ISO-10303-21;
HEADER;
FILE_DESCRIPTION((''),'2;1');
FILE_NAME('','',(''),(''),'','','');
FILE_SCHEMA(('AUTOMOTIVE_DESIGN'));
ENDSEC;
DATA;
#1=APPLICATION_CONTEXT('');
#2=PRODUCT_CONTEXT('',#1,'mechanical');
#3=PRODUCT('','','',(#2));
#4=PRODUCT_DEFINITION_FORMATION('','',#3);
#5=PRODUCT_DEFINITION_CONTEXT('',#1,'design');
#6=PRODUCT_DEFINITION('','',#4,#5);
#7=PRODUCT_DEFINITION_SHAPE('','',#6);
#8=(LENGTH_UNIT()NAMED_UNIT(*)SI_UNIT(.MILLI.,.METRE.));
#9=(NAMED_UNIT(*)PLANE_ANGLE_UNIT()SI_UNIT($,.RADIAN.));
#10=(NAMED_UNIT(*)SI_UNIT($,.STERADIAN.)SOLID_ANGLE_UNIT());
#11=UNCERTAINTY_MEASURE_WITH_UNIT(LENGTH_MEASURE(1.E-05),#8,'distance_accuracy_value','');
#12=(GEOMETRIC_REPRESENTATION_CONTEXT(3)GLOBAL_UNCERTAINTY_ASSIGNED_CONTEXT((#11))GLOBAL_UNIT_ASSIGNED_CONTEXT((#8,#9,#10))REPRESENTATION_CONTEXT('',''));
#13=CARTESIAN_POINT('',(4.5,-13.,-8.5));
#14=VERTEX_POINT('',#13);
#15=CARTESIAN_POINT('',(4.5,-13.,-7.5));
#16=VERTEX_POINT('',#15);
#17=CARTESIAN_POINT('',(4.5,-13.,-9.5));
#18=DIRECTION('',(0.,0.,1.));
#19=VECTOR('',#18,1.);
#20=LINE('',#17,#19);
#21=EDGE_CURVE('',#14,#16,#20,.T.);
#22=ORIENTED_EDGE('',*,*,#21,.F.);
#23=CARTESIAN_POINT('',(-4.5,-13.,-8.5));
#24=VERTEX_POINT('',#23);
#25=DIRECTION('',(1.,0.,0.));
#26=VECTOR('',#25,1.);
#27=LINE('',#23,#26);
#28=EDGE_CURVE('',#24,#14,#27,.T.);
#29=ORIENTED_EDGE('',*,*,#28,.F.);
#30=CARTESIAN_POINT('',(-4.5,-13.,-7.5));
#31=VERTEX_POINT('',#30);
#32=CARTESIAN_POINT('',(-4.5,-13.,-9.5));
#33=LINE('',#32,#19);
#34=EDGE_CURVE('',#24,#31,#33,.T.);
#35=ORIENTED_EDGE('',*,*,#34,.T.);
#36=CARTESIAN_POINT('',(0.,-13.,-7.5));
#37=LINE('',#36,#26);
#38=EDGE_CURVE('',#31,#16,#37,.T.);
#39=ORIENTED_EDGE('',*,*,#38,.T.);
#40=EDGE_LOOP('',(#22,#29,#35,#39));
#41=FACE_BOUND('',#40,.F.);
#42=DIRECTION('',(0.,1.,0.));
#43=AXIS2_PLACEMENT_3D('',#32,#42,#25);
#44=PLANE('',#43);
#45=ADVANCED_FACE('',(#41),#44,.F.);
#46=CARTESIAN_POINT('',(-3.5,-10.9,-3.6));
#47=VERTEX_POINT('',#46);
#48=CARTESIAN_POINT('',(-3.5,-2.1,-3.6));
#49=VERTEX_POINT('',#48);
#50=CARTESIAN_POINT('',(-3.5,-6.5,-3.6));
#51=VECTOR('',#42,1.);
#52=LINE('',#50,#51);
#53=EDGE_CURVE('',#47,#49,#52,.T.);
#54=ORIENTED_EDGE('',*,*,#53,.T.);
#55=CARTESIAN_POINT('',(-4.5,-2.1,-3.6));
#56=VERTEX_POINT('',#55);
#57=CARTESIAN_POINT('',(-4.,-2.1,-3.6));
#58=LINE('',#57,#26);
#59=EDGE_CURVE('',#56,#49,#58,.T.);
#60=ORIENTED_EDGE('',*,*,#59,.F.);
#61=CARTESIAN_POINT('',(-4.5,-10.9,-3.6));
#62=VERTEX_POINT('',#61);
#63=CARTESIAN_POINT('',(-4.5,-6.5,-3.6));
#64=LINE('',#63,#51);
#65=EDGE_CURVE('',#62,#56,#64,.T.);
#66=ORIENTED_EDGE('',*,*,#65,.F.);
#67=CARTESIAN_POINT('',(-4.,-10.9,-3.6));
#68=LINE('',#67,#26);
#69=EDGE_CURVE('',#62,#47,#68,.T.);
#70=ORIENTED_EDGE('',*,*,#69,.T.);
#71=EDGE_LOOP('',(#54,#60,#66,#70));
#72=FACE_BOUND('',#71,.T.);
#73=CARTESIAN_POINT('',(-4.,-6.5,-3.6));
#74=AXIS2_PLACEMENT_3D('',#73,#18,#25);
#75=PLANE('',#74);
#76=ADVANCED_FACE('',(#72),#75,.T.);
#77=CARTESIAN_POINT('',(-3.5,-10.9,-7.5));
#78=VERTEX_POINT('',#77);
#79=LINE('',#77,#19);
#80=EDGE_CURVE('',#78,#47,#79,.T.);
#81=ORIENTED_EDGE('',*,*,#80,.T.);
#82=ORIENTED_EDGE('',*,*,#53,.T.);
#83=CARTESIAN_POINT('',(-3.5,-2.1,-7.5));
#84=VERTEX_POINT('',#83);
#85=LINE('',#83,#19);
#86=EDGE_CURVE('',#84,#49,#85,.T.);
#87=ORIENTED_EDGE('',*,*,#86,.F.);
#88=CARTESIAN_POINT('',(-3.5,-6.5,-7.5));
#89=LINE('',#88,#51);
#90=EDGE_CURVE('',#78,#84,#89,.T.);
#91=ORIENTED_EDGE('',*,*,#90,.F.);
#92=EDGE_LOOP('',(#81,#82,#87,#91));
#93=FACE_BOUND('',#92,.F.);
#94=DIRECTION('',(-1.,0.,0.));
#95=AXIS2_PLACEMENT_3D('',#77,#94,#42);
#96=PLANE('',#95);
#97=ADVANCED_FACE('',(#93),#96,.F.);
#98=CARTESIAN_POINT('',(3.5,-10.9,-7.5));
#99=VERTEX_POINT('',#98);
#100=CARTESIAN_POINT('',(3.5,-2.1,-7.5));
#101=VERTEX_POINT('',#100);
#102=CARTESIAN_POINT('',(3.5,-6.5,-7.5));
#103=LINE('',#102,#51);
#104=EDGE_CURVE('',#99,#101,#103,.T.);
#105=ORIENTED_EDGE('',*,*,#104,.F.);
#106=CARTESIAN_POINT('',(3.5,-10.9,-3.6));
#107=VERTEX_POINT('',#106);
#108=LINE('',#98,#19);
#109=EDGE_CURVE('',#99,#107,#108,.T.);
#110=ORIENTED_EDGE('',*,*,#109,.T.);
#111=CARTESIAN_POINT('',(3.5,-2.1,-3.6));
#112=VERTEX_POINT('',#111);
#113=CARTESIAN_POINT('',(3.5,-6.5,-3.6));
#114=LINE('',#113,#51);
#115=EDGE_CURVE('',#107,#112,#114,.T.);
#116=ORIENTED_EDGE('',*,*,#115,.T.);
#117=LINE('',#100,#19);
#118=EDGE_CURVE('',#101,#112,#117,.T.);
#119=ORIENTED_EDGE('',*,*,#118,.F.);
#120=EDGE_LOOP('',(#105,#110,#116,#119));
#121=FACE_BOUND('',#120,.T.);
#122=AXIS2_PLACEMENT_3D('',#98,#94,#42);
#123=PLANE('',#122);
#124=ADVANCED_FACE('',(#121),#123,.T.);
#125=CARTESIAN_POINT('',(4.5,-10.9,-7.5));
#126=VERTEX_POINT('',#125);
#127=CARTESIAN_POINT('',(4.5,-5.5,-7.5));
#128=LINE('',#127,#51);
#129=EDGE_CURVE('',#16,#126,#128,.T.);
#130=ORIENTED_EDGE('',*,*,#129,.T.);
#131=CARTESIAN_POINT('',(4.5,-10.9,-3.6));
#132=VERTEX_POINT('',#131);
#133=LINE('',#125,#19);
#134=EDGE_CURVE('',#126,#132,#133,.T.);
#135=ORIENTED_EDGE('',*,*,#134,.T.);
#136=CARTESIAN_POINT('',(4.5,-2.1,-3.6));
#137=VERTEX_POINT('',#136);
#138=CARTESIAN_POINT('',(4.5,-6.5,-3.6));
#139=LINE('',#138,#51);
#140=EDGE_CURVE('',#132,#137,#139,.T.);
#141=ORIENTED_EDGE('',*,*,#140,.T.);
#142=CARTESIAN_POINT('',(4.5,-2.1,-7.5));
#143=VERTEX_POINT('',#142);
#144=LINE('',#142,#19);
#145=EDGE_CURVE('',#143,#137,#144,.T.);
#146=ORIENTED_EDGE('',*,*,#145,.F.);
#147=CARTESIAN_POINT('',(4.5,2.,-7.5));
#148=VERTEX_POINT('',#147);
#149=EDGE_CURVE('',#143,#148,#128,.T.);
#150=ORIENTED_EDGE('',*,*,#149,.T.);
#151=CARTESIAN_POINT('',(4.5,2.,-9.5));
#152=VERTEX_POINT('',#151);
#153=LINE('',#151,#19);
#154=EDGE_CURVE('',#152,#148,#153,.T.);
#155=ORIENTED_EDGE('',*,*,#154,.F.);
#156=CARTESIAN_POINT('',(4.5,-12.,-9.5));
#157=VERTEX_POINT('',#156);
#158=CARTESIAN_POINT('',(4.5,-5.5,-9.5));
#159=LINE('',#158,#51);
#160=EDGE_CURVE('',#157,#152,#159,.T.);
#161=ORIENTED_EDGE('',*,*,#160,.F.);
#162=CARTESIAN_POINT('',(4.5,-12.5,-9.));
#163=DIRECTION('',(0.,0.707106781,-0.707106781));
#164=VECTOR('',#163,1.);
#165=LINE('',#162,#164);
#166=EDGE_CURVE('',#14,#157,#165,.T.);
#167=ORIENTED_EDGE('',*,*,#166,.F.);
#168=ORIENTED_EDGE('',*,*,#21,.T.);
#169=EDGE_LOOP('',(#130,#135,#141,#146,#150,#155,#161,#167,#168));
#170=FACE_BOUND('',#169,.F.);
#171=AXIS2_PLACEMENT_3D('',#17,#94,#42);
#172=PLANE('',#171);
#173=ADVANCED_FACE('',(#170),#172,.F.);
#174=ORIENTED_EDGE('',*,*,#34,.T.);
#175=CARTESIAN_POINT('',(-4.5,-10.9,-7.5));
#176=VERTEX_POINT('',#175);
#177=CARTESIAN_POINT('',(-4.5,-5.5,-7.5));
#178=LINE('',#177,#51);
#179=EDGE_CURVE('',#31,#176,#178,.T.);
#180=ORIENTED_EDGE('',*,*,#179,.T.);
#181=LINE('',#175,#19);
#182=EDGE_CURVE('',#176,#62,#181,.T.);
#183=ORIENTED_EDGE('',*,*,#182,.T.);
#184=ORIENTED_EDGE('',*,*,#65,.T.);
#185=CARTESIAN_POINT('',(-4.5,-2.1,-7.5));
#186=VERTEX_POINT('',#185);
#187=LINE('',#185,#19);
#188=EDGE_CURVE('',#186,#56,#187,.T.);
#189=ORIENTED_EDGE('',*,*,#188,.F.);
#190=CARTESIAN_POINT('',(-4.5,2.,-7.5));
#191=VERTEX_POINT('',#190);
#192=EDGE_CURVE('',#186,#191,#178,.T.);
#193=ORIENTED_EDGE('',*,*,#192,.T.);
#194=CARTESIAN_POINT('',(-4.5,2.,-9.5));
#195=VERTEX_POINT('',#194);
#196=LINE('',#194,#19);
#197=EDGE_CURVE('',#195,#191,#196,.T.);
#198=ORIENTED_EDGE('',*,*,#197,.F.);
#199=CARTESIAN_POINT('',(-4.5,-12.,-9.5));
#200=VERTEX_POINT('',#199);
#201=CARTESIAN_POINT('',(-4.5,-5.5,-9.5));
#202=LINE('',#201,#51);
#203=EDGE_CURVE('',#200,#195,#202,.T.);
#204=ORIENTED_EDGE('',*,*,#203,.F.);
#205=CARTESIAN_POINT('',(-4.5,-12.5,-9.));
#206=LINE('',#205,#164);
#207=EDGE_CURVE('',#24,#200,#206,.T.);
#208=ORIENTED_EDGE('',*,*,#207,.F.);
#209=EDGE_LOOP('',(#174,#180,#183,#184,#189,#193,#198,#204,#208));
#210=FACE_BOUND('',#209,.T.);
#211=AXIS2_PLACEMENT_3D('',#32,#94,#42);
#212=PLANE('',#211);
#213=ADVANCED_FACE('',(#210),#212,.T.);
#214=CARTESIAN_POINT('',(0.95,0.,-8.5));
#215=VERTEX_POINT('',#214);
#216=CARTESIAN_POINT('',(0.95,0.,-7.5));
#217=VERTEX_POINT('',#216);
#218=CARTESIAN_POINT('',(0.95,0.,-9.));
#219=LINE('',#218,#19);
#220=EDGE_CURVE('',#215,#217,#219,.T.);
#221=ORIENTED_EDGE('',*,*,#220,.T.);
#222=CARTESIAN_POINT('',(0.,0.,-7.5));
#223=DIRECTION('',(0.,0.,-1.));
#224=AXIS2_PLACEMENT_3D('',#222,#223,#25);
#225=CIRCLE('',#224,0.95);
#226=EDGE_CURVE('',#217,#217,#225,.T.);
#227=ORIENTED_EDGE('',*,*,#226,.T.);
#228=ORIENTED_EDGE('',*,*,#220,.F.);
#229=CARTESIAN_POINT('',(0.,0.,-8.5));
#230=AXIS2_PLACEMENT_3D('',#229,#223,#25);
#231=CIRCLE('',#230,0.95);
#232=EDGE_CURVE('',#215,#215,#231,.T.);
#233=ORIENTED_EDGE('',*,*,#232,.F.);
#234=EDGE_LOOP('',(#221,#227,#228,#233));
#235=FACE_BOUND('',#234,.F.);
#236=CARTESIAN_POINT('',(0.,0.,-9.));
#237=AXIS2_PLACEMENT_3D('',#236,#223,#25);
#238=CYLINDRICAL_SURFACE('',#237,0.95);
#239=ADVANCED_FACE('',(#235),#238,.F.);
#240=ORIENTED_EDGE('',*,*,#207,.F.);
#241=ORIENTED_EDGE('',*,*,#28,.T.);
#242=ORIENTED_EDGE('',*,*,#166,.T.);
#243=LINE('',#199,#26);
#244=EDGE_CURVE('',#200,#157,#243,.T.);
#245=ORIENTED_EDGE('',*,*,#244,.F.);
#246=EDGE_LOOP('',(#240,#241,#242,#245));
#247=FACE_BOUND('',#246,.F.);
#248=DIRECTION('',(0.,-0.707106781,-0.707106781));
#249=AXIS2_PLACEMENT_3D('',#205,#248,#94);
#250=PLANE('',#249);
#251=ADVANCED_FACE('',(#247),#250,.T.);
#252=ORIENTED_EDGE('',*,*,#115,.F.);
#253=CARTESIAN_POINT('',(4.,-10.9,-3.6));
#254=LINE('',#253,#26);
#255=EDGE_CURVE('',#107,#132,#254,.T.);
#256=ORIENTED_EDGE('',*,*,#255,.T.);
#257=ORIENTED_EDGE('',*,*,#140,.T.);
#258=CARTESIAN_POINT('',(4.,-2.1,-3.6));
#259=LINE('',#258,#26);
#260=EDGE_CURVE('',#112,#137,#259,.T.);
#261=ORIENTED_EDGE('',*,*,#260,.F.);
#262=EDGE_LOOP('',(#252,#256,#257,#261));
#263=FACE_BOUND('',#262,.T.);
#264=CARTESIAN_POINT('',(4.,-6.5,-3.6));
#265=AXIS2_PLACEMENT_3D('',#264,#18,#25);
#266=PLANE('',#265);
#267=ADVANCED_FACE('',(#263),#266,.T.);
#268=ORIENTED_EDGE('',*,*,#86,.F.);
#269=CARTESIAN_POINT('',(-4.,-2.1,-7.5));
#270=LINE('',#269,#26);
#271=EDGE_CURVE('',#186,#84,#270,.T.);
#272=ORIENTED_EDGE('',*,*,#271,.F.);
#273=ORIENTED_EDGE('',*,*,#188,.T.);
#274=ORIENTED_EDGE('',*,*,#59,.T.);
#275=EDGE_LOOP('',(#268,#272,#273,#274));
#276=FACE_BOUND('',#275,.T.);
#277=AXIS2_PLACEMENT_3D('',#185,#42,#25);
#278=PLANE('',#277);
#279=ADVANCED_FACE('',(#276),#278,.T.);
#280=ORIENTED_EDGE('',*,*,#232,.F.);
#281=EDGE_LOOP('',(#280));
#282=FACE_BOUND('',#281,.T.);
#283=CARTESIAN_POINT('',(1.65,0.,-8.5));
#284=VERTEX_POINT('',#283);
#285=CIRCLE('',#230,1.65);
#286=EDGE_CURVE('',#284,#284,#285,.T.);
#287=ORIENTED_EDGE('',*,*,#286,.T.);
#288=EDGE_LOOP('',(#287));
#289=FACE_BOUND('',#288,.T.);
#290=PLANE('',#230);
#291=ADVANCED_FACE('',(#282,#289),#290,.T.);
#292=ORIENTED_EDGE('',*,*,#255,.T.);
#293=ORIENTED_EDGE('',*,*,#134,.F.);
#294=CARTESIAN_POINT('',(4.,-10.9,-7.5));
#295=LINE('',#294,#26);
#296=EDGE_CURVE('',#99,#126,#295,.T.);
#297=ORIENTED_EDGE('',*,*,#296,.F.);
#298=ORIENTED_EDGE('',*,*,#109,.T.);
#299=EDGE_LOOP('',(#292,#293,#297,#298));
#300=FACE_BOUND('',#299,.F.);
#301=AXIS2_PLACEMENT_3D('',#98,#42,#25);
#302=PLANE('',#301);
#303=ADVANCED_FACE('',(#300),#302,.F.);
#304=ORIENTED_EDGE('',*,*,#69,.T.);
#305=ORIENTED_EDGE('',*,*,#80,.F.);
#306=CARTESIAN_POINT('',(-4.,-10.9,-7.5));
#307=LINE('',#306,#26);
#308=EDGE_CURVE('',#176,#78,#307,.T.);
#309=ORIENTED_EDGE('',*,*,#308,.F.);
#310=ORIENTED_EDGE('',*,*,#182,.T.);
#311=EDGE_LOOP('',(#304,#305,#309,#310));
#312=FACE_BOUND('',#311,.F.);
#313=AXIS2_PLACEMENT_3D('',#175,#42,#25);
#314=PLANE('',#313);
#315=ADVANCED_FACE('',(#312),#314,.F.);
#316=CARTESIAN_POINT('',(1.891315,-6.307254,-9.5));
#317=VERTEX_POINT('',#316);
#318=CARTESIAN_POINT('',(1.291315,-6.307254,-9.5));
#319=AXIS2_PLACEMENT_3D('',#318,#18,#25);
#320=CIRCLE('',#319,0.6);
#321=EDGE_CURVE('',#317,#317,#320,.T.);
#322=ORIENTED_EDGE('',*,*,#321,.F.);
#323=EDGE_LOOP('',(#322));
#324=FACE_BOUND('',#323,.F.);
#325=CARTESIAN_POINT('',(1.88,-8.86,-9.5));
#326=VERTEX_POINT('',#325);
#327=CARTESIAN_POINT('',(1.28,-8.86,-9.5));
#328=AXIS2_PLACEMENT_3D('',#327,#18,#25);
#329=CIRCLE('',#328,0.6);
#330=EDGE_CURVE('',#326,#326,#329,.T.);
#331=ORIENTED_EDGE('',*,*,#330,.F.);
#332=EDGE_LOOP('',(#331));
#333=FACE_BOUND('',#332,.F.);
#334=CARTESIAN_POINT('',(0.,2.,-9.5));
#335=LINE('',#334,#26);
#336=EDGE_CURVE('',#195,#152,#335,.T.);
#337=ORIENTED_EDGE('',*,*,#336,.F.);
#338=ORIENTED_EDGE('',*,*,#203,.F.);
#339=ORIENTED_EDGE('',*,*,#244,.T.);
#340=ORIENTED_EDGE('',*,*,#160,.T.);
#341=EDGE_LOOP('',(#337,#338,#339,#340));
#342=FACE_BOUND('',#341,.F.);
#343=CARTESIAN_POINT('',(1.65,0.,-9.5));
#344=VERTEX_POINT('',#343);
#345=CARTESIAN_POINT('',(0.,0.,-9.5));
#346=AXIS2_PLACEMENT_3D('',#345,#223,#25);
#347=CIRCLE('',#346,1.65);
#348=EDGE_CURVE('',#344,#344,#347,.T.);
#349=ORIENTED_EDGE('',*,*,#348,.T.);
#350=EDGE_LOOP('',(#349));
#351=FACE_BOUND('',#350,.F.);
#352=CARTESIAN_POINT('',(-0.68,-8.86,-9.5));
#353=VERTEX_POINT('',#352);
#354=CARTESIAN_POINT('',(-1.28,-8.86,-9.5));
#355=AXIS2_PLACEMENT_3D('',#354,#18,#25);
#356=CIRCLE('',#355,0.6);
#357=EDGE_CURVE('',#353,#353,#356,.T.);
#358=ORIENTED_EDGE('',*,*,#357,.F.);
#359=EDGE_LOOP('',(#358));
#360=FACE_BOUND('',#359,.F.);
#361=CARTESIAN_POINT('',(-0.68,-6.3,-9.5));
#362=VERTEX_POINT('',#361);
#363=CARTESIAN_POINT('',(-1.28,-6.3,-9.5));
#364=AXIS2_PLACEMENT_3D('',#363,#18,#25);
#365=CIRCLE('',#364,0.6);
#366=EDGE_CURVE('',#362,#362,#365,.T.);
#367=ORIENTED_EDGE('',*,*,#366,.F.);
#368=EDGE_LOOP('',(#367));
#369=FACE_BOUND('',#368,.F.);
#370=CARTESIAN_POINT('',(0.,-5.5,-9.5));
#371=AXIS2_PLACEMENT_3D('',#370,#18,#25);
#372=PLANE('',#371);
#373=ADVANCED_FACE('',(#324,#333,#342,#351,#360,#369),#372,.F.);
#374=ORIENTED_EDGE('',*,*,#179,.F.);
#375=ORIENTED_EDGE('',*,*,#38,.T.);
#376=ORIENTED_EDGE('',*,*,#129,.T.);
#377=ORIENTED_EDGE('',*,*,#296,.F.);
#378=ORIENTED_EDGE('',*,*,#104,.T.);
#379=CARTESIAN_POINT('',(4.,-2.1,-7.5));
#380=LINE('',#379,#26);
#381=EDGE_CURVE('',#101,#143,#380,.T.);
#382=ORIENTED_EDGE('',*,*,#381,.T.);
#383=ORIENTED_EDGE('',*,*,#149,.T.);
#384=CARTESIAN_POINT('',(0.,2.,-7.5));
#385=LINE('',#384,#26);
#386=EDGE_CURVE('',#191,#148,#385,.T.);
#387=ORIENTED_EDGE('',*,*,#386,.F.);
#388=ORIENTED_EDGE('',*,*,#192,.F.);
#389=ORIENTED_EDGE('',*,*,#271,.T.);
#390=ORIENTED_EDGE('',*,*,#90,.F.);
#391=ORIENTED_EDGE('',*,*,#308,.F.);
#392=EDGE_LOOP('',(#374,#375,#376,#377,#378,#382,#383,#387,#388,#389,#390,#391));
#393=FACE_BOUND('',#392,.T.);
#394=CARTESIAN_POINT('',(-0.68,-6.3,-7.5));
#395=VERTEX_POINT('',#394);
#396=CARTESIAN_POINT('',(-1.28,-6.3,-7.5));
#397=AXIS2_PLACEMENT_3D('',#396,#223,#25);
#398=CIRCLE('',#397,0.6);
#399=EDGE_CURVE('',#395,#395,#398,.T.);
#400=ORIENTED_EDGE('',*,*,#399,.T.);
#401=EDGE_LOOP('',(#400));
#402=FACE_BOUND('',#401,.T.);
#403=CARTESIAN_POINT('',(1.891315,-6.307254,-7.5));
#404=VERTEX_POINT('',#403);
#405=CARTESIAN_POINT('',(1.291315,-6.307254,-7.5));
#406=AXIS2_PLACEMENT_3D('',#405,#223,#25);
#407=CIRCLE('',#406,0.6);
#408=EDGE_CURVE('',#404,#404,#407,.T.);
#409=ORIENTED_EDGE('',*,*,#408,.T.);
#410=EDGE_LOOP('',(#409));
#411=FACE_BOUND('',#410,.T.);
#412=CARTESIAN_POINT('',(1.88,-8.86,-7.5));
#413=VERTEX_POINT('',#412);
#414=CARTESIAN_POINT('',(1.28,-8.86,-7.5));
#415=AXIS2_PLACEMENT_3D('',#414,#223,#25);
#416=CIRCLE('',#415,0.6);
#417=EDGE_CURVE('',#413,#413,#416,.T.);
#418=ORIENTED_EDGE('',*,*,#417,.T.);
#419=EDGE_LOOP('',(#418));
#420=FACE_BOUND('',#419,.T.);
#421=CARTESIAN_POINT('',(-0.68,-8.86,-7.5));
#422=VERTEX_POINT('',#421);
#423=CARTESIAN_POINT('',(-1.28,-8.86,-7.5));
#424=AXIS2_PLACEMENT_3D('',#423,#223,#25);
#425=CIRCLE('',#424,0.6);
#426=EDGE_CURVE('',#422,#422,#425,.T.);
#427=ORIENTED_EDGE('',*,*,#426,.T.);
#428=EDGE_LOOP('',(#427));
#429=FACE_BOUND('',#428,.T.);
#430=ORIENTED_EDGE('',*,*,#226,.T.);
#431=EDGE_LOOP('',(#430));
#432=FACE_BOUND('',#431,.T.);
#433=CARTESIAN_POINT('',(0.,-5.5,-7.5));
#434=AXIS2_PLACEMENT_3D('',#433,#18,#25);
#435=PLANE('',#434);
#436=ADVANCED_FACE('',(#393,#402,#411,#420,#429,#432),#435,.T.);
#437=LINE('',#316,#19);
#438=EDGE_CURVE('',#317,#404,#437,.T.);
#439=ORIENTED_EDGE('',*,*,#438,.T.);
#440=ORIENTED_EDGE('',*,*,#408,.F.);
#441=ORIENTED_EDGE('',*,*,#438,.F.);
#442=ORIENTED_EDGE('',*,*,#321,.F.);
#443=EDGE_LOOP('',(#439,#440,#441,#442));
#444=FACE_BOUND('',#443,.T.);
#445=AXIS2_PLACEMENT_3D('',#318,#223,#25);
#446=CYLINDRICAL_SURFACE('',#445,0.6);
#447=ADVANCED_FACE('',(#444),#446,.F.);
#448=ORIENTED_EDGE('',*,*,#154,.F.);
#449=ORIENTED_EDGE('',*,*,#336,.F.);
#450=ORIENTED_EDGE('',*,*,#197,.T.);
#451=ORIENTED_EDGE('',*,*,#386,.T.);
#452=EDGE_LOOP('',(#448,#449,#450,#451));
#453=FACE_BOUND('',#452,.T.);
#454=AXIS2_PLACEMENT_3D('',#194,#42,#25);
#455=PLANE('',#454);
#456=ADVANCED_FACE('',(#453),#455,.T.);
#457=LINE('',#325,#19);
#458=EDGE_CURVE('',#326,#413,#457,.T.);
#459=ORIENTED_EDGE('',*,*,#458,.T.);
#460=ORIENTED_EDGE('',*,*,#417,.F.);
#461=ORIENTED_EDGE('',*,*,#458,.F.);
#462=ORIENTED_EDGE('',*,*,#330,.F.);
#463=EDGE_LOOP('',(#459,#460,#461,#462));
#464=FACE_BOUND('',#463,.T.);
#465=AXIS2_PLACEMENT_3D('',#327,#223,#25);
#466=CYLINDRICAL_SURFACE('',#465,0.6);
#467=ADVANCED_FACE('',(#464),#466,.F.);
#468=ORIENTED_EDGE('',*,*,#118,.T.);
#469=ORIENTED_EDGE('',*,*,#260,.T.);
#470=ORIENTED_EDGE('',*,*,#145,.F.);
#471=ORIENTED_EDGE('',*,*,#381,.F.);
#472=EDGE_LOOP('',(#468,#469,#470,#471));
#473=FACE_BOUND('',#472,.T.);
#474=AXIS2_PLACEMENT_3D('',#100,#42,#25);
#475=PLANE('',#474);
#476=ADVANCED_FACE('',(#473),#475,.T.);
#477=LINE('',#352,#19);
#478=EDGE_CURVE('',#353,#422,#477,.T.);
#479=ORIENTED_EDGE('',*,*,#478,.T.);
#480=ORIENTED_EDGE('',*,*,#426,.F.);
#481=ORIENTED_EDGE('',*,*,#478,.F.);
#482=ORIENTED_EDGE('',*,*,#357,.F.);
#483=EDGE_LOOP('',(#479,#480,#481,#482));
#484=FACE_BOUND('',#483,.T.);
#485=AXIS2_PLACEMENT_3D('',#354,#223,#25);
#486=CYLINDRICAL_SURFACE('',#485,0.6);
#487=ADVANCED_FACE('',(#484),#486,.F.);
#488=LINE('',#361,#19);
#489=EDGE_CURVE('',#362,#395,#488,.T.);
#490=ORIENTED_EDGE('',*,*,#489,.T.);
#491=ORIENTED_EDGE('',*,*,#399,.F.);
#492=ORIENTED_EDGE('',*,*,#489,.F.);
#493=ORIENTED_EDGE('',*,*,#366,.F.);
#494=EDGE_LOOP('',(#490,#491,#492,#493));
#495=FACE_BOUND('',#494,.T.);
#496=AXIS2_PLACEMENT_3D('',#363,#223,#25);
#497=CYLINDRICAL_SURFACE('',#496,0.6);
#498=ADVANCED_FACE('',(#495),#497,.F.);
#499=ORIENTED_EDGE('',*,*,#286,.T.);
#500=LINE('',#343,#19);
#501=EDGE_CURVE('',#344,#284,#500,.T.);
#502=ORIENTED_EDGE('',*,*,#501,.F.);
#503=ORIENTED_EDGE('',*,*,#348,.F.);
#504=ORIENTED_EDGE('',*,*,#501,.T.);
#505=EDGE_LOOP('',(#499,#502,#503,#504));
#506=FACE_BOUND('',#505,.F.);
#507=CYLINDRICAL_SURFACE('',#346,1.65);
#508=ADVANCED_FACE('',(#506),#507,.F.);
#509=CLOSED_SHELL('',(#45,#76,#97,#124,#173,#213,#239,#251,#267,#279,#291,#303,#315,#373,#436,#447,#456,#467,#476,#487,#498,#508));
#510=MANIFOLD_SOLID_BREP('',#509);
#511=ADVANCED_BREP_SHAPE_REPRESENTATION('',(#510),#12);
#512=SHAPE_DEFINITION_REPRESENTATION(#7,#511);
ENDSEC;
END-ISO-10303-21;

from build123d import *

# Parameters (mm, degrees)
SKETCH014_W     = 9
SKETCH014_H     = 15
PAD004_DEPTH    = 2
SKETCH015_R     = 1.65
POCKET009_DEPTH = 1
SKETCH016_R     = 0.95
POCKET010_DEPTH = 5
SKETCH017_W     = 1
SKETCH017_H     = 8.8
PAD005_DEPTH    = 3.9
SKETCH018_R     = 0.6
POCKET011_DEPTH = 5
CHAMFER_SIZE    = 1


with BuildPart() as part:
    # Sketch014 → Pad004 (new body)
    with BuildSketch(Plane.XY):
        with Locations((0, -5.5)):
            Rectangle(SKETCH014_W, SKETCH014_H)
    extrude(amount=PAD004_DEPTH)

    # Sketch015 (on Face18 of Pad003) → Pocket009 (cut)
    with BuildSketch(Plane(origin=(0, 0, 0), x_dir=(1, 0, 0), z_dir=(0, 0, -1))):
        Circle(SKETCH015_R)
    extrude(amount=-POCKET009_DEPTH, mode=Mode.SUBTRACT)

    # Sketch016 (on Face18 of Pad003) → Pocket010 (cut)
    with BuildSketch(Plane(origin=(0, 0, 0.5), x_dir=(1, 0, 0), z_dir=(0, 0, -1))):
        Circle(SKETCH016_R)
    extrude(amount=-POCKET010_DEPTH, mode=Mode.SUBTRACT)

    # Sketch017 → Pad005 (join)
    with BuildSketch(Plane.XY.offset(2)):
        with Locations((-4, -6.5)):
            Rectangle(SKETCH017_W, SKETCH017_H)
        with Locations((4, -6.5)):
            Rectangle(SKETCH017_W, SKETCH017_H)
    extrude(amount=PAD005_DEPTH)

    # Sketch018 → Pocket011 (cut)
    with BuildSketch(Plane(origin=(0, -7.58, 0), x_dir=(1, 0, 0), z_dir=(0, 0, 1))):
        with Locations((-1.28, 1.28)):
            Circle(SKETCH018_R)
        with Locations((1.291315, 1.272746)):
            Circle(SKETCH018_R)
        with Locations((-1.28, -1.28)):
            Circle(SKETCH018_R)
        with Locations((1.28, -1.28)):
            Circle(SKETCH018_R)
    extrude(amount=POCKET011_DEPTH, mode=Mode.SUBTRACT)

    # Chamfer
    chamfer_edges = [part.edges().sort_by_distance(p)[0] for p in [
        (0, -13, 0),
    ]]
    chamfer(chamfer_edges, length=CHAMFER_SIZE)


with BuildPart() as part_1:
    # Body002 placement: moved
    add(part.part.moved(Location((0, 0, -9.5))))


solid = part_1.part
